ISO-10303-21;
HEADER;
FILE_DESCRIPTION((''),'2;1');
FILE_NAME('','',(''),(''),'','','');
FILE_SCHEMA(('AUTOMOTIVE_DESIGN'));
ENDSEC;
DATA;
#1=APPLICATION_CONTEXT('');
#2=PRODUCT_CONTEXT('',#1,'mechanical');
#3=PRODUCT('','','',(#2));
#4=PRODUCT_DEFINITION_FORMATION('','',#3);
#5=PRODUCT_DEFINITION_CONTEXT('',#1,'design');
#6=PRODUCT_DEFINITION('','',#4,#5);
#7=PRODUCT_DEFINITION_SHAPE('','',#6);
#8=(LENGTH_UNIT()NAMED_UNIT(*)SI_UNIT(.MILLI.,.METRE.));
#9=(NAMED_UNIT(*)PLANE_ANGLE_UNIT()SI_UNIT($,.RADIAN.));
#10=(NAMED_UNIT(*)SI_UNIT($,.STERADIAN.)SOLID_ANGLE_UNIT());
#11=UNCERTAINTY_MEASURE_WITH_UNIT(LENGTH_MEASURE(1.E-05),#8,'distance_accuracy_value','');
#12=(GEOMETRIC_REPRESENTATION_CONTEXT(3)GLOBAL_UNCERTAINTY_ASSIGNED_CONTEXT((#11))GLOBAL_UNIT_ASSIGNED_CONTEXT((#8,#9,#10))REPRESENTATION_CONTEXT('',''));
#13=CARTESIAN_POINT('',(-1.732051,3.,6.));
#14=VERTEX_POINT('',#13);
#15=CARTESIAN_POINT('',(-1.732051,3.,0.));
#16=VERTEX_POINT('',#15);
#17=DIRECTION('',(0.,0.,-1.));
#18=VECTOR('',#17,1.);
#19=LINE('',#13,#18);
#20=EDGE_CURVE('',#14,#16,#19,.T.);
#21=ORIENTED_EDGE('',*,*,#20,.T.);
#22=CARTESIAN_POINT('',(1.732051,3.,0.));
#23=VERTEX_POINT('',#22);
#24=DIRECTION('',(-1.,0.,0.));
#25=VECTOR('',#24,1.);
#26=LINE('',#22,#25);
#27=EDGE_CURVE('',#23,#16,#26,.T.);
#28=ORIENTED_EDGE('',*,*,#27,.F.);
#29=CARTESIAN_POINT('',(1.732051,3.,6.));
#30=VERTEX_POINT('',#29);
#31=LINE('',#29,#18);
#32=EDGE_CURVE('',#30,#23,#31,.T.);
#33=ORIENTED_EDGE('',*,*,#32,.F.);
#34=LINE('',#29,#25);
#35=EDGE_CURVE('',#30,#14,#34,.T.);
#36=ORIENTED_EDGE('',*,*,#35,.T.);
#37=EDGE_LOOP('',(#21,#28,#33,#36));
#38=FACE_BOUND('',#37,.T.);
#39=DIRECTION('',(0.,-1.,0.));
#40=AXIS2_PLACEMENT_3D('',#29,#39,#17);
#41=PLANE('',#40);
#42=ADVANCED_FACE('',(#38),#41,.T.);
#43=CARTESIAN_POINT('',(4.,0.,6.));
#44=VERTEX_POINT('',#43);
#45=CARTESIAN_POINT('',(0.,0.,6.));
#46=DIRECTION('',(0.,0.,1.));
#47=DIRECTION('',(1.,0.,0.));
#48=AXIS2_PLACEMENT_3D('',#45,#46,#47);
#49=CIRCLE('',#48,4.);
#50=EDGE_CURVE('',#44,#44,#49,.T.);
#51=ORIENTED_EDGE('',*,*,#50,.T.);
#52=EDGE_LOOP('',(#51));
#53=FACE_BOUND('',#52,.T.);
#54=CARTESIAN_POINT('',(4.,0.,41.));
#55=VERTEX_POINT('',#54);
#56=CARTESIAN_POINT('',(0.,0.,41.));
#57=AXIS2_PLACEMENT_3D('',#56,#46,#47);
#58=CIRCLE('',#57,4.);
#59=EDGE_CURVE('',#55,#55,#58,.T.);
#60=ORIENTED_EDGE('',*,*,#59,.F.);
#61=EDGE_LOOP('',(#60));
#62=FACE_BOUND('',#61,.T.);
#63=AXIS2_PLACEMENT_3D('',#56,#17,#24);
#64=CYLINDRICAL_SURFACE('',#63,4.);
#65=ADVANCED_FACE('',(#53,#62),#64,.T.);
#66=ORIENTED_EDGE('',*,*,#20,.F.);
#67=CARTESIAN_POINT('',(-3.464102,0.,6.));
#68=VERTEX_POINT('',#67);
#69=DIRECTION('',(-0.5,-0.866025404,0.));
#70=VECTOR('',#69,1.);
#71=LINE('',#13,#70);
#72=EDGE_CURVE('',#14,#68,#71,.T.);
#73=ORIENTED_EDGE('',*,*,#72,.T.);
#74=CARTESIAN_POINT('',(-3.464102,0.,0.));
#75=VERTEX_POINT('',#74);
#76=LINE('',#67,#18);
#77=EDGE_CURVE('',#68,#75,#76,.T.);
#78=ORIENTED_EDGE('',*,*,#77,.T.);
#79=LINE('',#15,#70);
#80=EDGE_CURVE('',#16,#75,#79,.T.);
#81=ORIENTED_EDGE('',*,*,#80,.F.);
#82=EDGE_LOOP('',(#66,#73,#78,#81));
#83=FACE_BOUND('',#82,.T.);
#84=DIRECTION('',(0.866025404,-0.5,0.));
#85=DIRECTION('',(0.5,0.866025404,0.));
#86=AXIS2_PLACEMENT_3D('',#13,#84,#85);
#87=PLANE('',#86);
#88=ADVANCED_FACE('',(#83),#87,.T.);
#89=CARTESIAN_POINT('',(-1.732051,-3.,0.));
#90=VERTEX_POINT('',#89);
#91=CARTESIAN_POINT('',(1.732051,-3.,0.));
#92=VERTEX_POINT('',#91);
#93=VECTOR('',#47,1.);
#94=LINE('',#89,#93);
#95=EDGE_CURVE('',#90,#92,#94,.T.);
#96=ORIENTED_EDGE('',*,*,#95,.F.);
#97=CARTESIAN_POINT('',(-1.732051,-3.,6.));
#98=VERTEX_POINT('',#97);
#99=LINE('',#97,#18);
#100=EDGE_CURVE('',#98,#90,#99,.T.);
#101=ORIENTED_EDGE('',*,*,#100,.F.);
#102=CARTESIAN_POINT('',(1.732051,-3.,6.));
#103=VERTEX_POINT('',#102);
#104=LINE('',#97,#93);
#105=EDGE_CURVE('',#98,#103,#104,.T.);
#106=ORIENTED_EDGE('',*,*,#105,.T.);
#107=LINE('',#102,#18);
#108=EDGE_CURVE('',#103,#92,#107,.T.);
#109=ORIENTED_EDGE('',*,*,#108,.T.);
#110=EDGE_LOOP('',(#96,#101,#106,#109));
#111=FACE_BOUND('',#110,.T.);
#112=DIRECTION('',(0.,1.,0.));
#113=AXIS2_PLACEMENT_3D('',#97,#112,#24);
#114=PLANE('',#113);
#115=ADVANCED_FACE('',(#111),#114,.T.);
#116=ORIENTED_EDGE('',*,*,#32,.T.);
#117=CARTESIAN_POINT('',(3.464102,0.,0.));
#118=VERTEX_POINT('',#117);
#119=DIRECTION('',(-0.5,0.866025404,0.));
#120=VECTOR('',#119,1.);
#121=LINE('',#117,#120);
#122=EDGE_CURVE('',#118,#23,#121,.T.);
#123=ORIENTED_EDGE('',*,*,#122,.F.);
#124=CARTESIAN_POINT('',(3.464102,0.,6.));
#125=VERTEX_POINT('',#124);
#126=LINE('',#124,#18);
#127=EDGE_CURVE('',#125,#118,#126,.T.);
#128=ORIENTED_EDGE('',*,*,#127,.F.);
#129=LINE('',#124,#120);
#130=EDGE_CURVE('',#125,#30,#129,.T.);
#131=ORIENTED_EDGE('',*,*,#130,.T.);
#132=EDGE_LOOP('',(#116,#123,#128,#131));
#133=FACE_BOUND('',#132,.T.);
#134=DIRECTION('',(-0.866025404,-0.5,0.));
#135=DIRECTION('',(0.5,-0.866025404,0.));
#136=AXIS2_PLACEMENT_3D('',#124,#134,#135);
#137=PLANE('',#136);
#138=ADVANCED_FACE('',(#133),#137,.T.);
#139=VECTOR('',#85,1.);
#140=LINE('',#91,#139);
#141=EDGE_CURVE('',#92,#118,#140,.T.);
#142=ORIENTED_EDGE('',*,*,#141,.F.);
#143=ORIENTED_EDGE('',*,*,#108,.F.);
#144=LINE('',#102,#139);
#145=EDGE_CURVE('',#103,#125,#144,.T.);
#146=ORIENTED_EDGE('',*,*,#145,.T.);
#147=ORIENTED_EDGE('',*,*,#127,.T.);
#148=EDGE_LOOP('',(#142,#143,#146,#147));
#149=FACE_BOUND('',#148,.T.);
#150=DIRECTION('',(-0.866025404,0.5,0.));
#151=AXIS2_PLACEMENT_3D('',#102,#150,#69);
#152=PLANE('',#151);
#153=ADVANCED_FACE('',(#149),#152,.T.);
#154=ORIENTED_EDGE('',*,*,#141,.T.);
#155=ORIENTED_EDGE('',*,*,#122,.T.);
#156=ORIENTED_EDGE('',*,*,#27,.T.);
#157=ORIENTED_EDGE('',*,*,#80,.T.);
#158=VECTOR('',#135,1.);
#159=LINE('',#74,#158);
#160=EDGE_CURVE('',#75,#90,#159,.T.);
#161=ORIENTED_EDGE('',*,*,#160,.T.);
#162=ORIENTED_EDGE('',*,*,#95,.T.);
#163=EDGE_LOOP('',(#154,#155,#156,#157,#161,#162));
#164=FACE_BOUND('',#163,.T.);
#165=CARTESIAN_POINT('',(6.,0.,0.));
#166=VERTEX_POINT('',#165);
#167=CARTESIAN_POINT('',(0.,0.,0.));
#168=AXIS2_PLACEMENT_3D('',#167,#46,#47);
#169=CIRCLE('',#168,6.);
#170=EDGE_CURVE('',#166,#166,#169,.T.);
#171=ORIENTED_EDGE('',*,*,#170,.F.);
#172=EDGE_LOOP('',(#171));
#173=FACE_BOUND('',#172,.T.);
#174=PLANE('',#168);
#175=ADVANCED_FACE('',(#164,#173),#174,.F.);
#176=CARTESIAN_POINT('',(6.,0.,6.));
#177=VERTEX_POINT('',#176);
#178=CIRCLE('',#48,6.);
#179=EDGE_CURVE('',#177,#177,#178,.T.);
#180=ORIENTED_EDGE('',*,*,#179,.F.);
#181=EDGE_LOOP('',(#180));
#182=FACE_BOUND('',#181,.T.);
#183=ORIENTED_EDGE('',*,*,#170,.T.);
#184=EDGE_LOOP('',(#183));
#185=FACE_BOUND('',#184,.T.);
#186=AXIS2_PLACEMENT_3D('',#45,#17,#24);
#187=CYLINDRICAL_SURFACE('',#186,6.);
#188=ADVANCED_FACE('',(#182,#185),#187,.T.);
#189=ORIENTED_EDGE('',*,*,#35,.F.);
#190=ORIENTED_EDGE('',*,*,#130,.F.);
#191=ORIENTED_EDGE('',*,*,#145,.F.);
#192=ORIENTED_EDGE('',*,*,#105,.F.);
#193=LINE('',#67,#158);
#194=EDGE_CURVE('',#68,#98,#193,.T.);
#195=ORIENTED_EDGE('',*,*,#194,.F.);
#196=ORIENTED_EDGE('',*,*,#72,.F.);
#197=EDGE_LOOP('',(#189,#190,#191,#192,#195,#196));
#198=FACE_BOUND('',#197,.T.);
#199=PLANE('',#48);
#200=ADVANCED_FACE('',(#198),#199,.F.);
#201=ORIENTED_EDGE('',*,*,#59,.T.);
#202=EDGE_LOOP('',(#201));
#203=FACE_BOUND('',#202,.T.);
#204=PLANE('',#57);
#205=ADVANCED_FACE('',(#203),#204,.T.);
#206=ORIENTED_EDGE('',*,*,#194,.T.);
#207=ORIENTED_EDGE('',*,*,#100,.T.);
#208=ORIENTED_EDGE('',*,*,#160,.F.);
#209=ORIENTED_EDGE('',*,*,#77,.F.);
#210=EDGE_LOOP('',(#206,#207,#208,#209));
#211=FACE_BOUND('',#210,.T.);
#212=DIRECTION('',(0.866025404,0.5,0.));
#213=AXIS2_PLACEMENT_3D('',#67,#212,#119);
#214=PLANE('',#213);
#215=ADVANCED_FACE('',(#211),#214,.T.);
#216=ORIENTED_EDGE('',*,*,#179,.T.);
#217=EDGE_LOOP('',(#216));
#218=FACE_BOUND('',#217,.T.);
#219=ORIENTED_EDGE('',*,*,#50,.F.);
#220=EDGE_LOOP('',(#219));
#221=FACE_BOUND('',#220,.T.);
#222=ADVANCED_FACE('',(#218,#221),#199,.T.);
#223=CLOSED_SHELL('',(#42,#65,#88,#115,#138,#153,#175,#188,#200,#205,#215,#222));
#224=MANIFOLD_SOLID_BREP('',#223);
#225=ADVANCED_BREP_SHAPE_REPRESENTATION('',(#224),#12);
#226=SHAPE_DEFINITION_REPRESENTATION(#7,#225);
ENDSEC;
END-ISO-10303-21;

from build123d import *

# Parameters (mm, degrees)
SKETCH_1_R      = 6
EXTRUDE_1_DEPTH = 6
SKETCH_2_R      = 4
EXTRUDE_2_DEPTH = 35


with BuildPart() as part:
    # 草图1 → 凸台-拉伸1 (new body)
    with BuildSketch(Plane.XY):
        Circle(SKETCH_1_R)
        Polygon((3.464101615, 0), (1.732050808, 3), (-1.732050808, 3), (-3.464101615, 0), (-1.732050808, -3), (1.732050808, -3), align=None, mode=Mode.SUBTRACT)
    extrude(amount=EXTRUDE_1_DEPTH)

    # 草图2 → 凸台-拉伸2 (add)
    with BuildSketch(Plane.XY.offset(6)):
        Circle(SKETCH_2_R)
    extrude(amount=EXTRUDE_2_DEPTH)


solid = part.part
